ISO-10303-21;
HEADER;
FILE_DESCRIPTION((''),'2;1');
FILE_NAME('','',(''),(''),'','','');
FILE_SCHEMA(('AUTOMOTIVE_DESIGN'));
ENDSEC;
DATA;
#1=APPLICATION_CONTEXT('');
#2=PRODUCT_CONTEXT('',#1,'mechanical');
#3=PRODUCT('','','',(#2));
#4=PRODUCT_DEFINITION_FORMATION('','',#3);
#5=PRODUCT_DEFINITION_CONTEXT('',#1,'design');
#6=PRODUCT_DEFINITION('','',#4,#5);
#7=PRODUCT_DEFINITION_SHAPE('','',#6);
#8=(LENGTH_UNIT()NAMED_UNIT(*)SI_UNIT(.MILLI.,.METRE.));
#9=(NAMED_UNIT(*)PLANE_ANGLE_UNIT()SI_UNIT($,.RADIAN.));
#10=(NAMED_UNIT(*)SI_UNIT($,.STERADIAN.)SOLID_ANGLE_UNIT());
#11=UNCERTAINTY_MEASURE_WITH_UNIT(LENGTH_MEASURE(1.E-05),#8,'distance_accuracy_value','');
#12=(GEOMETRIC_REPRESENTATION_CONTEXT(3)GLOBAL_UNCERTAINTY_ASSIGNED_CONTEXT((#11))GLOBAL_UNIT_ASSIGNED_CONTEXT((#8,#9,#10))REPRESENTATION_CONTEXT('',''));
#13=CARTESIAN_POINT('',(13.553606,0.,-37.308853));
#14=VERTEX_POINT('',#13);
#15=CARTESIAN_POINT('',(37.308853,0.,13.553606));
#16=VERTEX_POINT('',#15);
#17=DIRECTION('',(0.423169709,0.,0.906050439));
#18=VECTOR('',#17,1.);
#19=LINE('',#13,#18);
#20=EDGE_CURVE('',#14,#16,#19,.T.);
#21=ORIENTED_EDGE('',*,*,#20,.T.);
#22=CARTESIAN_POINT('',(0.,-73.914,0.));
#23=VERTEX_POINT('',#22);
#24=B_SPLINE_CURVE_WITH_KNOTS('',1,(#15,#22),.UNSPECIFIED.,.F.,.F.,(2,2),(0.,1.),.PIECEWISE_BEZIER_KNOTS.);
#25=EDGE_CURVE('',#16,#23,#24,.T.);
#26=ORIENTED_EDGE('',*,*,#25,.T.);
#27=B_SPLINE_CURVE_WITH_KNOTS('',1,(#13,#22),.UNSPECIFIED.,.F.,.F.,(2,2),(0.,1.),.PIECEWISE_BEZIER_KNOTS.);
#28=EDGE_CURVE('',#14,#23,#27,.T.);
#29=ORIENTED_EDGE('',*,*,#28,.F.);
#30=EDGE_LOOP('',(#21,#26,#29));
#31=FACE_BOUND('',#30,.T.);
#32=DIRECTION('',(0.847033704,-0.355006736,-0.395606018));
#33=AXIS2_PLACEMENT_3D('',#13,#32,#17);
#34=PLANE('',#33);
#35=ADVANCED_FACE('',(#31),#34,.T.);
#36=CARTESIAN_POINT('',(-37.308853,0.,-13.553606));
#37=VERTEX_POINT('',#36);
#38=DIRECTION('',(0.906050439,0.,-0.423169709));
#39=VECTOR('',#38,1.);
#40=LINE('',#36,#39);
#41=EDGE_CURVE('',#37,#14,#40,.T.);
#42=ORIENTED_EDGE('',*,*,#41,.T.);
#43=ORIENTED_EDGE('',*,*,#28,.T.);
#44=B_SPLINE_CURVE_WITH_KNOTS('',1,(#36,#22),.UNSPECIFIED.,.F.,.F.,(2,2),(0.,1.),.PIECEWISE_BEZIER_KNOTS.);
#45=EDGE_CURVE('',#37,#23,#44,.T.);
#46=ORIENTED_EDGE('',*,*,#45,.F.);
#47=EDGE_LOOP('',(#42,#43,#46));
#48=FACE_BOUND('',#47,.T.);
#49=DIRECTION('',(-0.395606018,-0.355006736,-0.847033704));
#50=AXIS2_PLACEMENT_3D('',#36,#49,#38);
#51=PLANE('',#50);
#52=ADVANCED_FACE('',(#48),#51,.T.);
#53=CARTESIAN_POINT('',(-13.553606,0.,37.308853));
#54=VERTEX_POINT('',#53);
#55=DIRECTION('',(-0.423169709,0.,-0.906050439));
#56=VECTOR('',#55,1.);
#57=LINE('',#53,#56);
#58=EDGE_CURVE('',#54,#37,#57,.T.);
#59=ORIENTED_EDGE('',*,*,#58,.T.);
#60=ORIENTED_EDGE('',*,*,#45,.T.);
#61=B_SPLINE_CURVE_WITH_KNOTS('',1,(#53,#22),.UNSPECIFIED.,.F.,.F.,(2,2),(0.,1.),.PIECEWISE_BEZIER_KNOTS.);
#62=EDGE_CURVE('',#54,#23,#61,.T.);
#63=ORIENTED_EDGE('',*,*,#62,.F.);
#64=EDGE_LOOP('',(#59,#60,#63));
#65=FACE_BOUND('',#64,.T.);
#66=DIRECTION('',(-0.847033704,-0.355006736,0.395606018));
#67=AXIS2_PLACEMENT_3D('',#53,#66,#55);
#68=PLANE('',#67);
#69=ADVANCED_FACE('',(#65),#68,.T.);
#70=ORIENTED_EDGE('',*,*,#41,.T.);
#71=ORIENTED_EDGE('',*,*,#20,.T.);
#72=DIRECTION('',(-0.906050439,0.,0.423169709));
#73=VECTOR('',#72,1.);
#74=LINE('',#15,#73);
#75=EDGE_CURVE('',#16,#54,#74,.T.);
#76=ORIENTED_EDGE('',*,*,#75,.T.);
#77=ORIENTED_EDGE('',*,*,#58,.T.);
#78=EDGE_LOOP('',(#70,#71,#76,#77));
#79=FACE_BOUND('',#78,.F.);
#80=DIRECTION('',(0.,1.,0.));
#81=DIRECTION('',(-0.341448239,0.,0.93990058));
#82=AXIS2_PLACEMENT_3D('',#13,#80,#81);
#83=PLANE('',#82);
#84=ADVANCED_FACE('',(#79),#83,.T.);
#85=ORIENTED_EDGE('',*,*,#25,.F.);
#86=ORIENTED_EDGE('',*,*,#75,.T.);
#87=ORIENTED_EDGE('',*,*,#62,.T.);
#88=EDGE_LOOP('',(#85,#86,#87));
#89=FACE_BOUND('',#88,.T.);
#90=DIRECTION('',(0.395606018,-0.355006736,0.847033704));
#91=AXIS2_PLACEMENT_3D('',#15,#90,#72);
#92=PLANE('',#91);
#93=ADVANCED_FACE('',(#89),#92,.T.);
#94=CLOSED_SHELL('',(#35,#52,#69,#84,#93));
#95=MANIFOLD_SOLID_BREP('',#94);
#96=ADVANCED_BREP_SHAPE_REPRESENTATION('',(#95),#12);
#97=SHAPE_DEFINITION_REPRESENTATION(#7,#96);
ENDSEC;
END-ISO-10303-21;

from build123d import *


with BuildPart() as f3:
    # F0 (on Front) → F3 section 0
    with BuildSketch(Plane.XZ, mode=Mode.PRIVATE) as f3_s0:
        Polygon((13.553606, -37.308853), (37.308853, 13.553606), (-13.553606, 37.308853), (-37.308853, -13.553606), align=None)
    loft([f3_s0.sketch, Vertex(0, -73.914, 0)])


solid = f3.part
